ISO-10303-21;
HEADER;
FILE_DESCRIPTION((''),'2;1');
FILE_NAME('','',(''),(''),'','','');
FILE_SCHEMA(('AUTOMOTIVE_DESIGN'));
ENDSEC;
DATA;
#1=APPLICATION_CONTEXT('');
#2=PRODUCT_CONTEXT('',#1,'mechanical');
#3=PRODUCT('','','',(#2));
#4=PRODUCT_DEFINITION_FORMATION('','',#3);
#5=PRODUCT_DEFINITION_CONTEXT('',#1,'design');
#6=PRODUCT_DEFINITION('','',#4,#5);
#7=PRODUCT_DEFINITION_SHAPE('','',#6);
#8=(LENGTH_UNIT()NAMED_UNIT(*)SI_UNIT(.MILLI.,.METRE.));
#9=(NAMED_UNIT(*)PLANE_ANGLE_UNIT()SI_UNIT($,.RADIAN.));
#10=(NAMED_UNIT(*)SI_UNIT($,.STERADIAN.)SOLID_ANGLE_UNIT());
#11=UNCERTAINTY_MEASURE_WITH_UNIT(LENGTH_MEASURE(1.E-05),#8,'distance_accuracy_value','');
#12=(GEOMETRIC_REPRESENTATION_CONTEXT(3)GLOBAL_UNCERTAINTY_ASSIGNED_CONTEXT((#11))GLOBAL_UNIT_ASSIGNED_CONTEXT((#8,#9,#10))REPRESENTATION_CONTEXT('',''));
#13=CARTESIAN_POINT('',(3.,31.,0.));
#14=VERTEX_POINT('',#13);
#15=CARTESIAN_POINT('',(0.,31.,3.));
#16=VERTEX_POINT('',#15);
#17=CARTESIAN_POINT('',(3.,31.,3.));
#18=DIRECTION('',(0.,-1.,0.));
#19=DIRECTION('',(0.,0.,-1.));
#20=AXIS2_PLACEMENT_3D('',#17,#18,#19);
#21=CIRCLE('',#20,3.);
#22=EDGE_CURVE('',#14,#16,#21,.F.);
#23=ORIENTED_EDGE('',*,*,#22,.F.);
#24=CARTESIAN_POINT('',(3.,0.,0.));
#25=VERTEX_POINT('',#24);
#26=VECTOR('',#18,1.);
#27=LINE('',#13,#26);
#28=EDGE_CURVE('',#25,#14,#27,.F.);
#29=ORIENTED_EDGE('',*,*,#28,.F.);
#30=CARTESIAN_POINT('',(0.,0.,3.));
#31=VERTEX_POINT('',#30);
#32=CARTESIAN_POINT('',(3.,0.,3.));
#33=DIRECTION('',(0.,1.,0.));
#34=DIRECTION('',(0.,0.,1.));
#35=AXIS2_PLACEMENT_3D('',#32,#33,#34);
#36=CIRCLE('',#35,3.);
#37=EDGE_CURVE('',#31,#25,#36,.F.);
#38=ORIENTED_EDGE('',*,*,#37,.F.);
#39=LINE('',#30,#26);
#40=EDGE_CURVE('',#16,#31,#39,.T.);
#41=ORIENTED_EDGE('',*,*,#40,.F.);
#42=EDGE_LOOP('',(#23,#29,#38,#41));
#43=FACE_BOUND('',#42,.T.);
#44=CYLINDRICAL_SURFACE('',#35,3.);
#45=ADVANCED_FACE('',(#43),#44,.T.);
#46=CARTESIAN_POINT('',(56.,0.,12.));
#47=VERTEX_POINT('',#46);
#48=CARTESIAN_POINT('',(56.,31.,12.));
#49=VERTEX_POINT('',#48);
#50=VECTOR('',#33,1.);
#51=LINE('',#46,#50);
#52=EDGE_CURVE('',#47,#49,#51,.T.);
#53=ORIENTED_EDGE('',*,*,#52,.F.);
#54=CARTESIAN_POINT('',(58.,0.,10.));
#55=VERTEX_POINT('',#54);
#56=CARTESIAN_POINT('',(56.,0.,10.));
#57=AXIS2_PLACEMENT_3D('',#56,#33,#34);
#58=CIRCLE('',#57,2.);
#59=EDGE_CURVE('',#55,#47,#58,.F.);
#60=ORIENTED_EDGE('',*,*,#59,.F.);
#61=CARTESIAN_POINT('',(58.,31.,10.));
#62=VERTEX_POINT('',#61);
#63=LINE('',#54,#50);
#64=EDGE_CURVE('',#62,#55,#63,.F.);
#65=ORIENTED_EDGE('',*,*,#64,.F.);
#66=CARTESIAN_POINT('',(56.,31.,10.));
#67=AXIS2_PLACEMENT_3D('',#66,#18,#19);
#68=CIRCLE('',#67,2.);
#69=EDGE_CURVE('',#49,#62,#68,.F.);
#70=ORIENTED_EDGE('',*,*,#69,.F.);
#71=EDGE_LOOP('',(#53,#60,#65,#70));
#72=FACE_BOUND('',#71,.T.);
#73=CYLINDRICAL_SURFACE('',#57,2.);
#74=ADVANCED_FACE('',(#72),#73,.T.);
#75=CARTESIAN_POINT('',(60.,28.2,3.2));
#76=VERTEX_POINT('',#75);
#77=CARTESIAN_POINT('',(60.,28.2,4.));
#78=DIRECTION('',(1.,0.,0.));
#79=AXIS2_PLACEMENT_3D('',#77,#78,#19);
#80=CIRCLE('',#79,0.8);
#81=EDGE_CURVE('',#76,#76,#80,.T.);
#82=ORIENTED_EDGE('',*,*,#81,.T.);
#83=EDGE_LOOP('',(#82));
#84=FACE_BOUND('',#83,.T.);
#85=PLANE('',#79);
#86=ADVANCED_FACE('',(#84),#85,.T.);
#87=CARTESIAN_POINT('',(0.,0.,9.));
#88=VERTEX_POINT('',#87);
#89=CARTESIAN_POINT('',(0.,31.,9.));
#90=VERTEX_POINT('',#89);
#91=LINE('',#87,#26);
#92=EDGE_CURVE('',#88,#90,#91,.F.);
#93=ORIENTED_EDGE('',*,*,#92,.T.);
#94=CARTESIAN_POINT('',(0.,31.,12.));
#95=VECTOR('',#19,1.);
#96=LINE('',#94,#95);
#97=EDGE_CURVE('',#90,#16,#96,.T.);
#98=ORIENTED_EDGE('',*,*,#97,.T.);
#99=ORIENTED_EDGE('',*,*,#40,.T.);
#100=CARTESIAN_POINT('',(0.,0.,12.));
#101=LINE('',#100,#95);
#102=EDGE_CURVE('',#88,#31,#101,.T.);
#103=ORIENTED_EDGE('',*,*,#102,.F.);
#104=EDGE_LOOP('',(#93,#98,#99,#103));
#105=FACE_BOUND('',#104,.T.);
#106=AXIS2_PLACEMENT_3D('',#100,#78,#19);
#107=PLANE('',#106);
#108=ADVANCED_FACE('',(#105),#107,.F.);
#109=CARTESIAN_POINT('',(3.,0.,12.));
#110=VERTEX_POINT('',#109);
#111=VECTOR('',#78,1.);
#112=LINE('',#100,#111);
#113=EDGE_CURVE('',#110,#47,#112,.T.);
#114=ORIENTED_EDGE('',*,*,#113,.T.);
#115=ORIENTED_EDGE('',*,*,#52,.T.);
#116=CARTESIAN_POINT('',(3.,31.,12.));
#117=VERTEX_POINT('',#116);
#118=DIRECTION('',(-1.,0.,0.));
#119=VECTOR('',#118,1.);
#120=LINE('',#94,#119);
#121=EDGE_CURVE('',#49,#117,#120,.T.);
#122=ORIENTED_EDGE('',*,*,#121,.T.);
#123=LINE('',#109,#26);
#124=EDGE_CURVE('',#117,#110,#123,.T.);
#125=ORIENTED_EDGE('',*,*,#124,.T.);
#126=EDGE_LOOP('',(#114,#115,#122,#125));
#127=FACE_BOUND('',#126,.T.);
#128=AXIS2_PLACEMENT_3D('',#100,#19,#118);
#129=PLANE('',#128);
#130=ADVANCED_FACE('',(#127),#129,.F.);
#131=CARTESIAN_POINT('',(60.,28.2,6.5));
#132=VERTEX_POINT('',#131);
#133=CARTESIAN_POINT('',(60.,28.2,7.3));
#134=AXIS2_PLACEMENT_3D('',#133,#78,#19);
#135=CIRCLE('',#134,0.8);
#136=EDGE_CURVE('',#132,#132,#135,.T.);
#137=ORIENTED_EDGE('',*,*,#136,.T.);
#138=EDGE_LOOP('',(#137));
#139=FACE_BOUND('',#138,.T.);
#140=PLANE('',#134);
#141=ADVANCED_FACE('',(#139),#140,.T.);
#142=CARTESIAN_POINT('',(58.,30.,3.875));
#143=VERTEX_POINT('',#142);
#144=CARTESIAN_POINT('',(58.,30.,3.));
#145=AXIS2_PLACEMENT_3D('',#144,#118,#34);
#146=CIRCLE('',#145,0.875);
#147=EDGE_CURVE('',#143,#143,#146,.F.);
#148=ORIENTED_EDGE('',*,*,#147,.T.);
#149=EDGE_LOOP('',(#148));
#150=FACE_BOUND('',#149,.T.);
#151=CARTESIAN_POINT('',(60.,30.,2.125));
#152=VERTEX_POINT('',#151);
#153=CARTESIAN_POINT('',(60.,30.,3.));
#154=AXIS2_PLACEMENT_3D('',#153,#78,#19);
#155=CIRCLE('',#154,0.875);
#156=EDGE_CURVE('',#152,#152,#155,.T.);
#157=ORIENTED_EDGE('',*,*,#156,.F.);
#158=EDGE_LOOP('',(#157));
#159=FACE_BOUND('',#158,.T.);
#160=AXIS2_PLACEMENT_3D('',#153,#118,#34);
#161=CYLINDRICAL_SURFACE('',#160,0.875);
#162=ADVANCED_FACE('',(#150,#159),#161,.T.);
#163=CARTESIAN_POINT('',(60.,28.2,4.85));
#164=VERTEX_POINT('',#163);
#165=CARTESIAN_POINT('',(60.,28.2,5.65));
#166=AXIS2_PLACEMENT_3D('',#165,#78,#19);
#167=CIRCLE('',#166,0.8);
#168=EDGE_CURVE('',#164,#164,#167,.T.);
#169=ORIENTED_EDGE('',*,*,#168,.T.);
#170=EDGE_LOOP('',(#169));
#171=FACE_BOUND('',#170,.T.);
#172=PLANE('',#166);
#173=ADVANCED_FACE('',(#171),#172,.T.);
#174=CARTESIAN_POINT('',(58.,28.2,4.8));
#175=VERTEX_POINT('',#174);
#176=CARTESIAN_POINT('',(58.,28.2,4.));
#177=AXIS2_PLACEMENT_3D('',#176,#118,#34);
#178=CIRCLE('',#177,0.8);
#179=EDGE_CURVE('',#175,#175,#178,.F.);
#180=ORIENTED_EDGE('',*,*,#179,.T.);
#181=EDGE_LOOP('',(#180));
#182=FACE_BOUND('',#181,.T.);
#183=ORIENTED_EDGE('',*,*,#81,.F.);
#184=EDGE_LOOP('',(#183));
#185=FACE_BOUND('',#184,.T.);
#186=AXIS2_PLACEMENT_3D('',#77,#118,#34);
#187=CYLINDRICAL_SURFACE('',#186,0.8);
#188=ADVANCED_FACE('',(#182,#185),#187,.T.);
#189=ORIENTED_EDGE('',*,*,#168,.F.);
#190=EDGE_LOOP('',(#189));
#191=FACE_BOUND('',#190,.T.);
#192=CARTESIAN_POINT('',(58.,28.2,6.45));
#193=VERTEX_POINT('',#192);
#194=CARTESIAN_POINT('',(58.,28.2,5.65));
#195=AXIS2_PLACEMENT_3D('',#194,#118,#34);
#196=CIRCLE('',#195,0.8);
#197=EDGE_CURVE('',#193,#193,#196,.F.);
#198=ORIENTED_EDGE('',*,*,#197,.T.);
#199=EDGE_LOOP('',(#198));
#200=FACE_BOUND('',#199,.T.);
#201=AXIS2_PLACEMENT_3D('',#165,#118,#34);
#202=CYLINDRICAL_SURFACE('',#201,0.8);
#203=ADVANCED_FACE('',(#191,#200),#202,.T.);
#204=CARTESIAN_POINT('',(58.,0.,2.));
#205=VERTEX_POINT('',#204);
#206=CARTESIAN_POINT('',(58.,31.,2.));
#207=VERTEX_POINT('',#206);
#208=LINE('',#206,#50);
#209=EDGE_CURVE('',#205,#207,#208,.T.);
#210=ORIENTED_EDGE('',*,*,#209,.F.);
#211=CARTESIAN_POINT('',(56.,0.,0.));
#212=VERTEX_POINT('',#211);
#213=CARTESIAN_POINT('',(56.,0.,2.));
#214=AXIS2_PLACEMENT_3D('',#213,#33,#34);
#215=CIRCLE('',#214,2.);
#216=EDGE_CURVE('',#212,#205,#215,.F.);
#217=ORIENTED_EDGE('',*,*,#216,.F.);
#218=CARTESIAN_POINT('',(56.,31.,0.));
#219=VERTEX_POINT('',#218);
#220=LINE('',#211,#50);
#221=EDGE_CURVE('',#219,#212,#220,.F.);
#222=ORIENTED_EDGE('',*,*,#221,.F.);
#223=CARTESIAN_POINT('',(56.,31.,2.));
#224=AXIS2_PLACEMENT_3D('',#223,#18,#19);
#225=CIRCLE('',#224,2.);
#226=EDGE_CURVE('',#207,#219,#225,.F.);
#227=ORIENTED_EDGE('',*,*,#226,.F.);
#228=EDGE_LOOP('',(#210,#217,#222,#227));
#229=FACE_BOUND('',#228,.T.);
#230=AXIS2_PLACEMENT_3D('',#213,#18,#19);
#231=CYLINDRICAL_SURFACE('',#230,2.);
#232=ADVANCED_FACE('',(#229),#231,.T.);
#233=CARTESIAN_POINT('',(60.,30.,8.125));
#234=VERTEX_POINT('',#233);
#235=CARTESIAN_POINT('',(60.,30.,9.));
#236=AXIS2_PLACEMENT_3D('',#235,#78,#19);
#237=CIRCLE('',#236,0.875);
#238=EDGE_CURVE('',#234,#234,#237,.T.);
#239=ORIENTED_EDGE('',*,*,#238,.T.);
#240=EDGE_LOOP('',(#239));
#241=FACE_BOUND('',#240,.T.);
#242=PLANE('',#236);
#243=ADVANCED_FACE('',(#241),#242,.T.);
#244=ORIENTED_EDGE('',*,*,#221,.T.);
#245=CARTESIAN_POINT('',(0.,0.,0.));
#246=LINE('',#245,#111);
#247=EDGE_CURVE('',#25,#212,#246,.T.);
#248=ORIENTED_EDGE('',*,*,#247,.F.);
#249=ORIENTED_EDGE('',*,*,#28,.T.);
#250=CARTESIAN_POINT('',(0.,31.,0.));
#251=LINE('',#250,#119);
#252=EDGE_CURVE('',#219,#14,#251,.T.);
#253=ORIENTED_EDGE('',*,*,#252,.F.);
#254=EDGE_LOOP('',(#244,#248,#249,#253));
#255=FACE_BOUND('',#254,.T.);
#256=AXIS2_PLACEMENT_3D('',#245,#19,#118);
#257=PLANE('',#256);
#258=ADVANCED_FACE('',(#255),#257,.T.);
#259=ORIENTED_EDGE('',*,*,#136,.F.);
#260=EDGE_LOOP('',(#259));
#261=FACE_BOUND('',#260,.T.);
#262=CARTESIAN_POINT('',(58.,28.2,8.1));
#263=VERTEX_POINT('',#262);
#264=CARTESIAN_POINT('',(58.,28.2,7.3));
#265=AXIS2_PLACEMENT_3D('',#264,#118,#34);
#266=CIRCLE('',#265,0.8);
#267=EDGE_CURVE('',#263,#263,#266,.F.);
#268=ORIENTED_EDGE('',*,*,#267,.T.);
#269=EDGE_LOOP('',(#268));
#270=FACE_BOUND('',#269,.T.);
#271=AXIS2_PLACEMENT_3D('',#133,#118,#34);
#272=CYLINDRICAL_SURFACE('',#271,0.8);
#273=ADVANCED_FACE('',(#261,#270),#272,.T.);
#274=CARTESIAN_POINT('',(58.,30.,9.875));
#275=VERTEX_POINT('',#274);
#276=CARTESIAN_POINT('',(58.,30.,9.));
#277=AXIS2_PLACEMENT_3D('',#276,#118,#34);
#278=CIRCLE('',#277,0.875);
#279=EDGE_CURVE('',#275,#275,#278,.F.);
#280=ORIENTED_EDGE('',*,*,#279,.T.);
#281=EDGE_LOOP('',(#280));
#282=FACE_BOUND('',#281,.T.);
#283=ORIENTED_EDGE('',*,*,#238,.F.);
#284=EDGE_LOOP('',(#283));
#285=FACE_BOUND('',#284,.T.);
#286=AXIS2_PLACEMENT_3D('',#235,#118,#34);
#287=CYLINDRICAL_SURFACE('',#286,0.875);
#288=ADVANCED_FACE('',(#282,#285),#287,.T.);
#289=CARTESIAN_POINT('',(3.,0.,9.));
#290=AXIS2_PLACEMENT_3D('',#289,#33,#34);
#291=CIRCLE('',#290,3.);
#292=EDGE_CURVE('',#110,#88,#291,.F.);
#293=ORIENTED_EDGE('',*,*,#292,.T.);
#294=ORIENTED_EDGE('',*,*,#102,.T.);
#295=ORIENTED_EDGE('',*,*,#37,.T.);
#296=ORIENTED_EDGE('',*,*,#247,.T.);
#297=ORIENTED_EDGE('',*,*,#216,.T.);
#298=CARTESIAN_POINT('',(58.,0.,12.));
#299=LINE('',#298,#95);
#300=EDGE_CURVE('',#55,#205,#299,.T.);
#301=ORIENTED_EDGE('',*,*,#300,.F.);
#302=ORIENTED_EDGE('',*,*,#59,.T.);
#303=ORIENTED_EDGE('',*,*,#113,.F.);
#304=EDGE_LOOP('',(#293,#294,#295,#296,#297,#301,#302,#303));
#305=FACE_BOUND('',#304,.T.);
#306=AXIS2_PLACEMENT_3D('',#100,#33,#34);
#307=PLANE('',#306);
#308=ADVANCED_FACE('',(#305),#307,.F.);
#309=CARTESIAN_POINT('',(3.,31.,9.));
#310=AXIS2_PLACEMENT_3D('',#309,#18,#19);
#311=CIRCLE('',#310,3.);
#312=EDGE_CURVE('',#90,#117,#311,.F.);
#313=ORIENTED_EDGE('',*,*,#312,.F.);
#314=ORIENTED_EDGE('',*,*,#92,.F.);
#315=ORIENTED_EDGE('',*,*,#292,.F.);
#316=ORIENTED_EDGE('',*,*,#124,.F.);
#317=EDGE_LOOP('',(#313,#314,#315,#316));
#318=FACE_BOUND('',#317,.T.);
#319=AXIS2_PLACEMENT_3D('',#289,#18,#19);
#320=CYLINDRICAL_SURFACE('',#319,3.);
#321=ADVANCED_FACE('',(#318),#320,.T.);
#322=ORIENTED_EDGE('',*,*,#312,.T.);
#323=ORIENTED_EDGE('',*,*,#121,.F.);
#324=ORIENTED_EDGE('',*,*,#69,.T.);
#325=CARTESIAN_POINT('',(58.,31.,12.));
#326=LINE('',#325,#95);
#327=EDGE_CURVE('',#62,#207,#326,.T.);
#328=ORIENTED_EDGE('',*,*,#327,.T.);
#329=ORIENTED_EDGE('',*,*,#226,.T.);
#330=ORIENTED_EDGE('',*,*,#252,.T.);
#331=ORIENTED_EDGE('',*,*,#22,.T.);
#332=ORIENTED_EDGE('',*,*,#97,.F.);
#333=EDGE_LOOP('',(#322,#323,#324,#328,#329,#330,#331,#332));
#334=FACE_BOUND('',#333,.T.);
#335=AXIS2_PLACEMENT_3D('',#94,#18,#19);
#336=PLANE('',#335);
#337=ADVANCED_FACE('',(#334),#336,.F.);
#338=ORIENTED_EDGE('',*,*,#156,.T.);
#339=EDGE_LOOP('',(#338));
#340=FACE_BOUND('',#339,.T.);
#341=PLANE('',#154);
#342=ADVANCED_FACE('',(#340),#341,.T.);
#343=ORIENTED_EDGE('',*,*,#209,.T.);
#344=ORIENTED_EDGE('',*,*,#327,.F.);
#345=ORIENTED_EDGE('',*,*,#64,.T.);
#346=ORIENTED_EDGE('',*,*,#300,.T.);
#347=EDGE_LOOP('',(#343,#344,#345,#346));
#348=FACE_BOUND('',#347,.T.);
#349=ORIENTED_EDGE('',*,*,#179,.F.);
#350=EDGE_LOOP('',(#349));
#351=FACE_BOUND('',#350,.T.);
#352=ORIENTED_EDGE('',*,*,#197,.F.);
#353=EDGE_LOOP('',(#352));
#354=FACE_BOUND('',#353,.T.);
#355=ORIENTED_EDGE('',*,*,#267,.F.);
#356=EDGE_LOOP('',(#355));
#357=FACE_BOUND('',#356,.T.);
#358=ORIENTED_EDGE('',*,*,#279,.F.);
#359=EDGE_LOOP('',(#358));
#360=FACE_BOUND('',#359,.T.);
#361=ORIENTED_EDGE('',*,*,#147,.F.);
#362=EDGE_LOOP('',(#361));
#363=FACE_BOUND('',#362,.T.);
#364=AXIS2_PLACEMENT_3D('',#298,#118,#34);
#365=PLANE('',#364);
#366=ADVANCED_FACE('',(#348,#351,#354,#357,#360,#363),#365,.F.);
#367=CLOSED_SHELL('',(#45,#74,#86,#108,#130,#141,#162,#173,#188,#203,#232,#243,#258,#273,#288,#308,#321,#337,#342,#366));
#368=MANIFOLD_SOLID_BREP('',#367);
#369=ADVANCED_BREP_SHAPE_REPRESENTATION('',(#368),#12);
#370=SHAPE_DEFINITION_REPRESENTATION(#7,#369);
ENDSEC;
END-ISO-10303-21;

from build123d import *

# Parameters (mm, degrees)
SKIZZE1_W                       = 58
SKIZZE1_H                       = 31
AUFSATZ_LINEAR_AUSTRAGEN1_DEPTH = 12
VERRUNDUNG1_R                   = 2
VERRUNDUNG2_R                   = 3
SKIZZE3_R                       = 0.875
SKIZZE3_R_2                     = 0.8
AUFSATZ_LINEAR_AUSTRAGEN2_DEPTH = 2


with BuildPart() as part:
    # Skizze1 → Aufsatz-Linear austragen1 (new body)
    with BuildSketch(Plane.XY):
        with Locations((29, 15.5)):
            Rectangle(SKIZZE1_W, SKIZZE1_H)
    extrude(amount=AUFSATZ_LINEAR_AUSTRAGEN1_DEPTH)

    # Verrundung1
    verrundung1_edges = [part.edges().sort_by_distance(p)[0] for p in [
        (58, 15.5, 12),
        (58, 15.5, 0),
    ]]
    fillet(verrundung1_edges, radius=VERRUNDUNG1_R)

    # Verrundung2
    verrundung2_edges = [part.edges().sort_by_distance(p)[0] for p in [
        (0, 15.5, 12),
        (0, 15.5, 0),
    ]]
    fillet(verrundung2_edges, radius=VERRUNDUNG2_R)

    # Skizze3 → Aufsatz-Linear austragen2 (add)
    with BuildSketch(Plane(origin=(58, 0, 0), x_dir=(0, 0, -1), z_dir=(1, 0, 0))):
        with Locations(Location((-9, 30, 0), (0, 0, 180))):
            Circle(SKIZZE3_R)
        with Locations(Location((-3, 30, 0), (0, 0, 180))):
            Circle(SKIZZE3_R)
        with Locations(Location((-4, 28.2, 0), (0, 0, 180))):
            Circle(SKIZZE3_R_2)
        with Locations(Location((-5.65, 28.2, 0), (0, 0, 180))):
            Circle(SKIZZE3_R_2)
        with Locations(Location((-7.3, 28.2, 0), (0, 0, 180))):
            Circle(SKIZZE3_R_2)
    extrude(amount=AUFSATZ_LINEAR_AUSTRAGEN2_DEPTH)


solid = part.part
